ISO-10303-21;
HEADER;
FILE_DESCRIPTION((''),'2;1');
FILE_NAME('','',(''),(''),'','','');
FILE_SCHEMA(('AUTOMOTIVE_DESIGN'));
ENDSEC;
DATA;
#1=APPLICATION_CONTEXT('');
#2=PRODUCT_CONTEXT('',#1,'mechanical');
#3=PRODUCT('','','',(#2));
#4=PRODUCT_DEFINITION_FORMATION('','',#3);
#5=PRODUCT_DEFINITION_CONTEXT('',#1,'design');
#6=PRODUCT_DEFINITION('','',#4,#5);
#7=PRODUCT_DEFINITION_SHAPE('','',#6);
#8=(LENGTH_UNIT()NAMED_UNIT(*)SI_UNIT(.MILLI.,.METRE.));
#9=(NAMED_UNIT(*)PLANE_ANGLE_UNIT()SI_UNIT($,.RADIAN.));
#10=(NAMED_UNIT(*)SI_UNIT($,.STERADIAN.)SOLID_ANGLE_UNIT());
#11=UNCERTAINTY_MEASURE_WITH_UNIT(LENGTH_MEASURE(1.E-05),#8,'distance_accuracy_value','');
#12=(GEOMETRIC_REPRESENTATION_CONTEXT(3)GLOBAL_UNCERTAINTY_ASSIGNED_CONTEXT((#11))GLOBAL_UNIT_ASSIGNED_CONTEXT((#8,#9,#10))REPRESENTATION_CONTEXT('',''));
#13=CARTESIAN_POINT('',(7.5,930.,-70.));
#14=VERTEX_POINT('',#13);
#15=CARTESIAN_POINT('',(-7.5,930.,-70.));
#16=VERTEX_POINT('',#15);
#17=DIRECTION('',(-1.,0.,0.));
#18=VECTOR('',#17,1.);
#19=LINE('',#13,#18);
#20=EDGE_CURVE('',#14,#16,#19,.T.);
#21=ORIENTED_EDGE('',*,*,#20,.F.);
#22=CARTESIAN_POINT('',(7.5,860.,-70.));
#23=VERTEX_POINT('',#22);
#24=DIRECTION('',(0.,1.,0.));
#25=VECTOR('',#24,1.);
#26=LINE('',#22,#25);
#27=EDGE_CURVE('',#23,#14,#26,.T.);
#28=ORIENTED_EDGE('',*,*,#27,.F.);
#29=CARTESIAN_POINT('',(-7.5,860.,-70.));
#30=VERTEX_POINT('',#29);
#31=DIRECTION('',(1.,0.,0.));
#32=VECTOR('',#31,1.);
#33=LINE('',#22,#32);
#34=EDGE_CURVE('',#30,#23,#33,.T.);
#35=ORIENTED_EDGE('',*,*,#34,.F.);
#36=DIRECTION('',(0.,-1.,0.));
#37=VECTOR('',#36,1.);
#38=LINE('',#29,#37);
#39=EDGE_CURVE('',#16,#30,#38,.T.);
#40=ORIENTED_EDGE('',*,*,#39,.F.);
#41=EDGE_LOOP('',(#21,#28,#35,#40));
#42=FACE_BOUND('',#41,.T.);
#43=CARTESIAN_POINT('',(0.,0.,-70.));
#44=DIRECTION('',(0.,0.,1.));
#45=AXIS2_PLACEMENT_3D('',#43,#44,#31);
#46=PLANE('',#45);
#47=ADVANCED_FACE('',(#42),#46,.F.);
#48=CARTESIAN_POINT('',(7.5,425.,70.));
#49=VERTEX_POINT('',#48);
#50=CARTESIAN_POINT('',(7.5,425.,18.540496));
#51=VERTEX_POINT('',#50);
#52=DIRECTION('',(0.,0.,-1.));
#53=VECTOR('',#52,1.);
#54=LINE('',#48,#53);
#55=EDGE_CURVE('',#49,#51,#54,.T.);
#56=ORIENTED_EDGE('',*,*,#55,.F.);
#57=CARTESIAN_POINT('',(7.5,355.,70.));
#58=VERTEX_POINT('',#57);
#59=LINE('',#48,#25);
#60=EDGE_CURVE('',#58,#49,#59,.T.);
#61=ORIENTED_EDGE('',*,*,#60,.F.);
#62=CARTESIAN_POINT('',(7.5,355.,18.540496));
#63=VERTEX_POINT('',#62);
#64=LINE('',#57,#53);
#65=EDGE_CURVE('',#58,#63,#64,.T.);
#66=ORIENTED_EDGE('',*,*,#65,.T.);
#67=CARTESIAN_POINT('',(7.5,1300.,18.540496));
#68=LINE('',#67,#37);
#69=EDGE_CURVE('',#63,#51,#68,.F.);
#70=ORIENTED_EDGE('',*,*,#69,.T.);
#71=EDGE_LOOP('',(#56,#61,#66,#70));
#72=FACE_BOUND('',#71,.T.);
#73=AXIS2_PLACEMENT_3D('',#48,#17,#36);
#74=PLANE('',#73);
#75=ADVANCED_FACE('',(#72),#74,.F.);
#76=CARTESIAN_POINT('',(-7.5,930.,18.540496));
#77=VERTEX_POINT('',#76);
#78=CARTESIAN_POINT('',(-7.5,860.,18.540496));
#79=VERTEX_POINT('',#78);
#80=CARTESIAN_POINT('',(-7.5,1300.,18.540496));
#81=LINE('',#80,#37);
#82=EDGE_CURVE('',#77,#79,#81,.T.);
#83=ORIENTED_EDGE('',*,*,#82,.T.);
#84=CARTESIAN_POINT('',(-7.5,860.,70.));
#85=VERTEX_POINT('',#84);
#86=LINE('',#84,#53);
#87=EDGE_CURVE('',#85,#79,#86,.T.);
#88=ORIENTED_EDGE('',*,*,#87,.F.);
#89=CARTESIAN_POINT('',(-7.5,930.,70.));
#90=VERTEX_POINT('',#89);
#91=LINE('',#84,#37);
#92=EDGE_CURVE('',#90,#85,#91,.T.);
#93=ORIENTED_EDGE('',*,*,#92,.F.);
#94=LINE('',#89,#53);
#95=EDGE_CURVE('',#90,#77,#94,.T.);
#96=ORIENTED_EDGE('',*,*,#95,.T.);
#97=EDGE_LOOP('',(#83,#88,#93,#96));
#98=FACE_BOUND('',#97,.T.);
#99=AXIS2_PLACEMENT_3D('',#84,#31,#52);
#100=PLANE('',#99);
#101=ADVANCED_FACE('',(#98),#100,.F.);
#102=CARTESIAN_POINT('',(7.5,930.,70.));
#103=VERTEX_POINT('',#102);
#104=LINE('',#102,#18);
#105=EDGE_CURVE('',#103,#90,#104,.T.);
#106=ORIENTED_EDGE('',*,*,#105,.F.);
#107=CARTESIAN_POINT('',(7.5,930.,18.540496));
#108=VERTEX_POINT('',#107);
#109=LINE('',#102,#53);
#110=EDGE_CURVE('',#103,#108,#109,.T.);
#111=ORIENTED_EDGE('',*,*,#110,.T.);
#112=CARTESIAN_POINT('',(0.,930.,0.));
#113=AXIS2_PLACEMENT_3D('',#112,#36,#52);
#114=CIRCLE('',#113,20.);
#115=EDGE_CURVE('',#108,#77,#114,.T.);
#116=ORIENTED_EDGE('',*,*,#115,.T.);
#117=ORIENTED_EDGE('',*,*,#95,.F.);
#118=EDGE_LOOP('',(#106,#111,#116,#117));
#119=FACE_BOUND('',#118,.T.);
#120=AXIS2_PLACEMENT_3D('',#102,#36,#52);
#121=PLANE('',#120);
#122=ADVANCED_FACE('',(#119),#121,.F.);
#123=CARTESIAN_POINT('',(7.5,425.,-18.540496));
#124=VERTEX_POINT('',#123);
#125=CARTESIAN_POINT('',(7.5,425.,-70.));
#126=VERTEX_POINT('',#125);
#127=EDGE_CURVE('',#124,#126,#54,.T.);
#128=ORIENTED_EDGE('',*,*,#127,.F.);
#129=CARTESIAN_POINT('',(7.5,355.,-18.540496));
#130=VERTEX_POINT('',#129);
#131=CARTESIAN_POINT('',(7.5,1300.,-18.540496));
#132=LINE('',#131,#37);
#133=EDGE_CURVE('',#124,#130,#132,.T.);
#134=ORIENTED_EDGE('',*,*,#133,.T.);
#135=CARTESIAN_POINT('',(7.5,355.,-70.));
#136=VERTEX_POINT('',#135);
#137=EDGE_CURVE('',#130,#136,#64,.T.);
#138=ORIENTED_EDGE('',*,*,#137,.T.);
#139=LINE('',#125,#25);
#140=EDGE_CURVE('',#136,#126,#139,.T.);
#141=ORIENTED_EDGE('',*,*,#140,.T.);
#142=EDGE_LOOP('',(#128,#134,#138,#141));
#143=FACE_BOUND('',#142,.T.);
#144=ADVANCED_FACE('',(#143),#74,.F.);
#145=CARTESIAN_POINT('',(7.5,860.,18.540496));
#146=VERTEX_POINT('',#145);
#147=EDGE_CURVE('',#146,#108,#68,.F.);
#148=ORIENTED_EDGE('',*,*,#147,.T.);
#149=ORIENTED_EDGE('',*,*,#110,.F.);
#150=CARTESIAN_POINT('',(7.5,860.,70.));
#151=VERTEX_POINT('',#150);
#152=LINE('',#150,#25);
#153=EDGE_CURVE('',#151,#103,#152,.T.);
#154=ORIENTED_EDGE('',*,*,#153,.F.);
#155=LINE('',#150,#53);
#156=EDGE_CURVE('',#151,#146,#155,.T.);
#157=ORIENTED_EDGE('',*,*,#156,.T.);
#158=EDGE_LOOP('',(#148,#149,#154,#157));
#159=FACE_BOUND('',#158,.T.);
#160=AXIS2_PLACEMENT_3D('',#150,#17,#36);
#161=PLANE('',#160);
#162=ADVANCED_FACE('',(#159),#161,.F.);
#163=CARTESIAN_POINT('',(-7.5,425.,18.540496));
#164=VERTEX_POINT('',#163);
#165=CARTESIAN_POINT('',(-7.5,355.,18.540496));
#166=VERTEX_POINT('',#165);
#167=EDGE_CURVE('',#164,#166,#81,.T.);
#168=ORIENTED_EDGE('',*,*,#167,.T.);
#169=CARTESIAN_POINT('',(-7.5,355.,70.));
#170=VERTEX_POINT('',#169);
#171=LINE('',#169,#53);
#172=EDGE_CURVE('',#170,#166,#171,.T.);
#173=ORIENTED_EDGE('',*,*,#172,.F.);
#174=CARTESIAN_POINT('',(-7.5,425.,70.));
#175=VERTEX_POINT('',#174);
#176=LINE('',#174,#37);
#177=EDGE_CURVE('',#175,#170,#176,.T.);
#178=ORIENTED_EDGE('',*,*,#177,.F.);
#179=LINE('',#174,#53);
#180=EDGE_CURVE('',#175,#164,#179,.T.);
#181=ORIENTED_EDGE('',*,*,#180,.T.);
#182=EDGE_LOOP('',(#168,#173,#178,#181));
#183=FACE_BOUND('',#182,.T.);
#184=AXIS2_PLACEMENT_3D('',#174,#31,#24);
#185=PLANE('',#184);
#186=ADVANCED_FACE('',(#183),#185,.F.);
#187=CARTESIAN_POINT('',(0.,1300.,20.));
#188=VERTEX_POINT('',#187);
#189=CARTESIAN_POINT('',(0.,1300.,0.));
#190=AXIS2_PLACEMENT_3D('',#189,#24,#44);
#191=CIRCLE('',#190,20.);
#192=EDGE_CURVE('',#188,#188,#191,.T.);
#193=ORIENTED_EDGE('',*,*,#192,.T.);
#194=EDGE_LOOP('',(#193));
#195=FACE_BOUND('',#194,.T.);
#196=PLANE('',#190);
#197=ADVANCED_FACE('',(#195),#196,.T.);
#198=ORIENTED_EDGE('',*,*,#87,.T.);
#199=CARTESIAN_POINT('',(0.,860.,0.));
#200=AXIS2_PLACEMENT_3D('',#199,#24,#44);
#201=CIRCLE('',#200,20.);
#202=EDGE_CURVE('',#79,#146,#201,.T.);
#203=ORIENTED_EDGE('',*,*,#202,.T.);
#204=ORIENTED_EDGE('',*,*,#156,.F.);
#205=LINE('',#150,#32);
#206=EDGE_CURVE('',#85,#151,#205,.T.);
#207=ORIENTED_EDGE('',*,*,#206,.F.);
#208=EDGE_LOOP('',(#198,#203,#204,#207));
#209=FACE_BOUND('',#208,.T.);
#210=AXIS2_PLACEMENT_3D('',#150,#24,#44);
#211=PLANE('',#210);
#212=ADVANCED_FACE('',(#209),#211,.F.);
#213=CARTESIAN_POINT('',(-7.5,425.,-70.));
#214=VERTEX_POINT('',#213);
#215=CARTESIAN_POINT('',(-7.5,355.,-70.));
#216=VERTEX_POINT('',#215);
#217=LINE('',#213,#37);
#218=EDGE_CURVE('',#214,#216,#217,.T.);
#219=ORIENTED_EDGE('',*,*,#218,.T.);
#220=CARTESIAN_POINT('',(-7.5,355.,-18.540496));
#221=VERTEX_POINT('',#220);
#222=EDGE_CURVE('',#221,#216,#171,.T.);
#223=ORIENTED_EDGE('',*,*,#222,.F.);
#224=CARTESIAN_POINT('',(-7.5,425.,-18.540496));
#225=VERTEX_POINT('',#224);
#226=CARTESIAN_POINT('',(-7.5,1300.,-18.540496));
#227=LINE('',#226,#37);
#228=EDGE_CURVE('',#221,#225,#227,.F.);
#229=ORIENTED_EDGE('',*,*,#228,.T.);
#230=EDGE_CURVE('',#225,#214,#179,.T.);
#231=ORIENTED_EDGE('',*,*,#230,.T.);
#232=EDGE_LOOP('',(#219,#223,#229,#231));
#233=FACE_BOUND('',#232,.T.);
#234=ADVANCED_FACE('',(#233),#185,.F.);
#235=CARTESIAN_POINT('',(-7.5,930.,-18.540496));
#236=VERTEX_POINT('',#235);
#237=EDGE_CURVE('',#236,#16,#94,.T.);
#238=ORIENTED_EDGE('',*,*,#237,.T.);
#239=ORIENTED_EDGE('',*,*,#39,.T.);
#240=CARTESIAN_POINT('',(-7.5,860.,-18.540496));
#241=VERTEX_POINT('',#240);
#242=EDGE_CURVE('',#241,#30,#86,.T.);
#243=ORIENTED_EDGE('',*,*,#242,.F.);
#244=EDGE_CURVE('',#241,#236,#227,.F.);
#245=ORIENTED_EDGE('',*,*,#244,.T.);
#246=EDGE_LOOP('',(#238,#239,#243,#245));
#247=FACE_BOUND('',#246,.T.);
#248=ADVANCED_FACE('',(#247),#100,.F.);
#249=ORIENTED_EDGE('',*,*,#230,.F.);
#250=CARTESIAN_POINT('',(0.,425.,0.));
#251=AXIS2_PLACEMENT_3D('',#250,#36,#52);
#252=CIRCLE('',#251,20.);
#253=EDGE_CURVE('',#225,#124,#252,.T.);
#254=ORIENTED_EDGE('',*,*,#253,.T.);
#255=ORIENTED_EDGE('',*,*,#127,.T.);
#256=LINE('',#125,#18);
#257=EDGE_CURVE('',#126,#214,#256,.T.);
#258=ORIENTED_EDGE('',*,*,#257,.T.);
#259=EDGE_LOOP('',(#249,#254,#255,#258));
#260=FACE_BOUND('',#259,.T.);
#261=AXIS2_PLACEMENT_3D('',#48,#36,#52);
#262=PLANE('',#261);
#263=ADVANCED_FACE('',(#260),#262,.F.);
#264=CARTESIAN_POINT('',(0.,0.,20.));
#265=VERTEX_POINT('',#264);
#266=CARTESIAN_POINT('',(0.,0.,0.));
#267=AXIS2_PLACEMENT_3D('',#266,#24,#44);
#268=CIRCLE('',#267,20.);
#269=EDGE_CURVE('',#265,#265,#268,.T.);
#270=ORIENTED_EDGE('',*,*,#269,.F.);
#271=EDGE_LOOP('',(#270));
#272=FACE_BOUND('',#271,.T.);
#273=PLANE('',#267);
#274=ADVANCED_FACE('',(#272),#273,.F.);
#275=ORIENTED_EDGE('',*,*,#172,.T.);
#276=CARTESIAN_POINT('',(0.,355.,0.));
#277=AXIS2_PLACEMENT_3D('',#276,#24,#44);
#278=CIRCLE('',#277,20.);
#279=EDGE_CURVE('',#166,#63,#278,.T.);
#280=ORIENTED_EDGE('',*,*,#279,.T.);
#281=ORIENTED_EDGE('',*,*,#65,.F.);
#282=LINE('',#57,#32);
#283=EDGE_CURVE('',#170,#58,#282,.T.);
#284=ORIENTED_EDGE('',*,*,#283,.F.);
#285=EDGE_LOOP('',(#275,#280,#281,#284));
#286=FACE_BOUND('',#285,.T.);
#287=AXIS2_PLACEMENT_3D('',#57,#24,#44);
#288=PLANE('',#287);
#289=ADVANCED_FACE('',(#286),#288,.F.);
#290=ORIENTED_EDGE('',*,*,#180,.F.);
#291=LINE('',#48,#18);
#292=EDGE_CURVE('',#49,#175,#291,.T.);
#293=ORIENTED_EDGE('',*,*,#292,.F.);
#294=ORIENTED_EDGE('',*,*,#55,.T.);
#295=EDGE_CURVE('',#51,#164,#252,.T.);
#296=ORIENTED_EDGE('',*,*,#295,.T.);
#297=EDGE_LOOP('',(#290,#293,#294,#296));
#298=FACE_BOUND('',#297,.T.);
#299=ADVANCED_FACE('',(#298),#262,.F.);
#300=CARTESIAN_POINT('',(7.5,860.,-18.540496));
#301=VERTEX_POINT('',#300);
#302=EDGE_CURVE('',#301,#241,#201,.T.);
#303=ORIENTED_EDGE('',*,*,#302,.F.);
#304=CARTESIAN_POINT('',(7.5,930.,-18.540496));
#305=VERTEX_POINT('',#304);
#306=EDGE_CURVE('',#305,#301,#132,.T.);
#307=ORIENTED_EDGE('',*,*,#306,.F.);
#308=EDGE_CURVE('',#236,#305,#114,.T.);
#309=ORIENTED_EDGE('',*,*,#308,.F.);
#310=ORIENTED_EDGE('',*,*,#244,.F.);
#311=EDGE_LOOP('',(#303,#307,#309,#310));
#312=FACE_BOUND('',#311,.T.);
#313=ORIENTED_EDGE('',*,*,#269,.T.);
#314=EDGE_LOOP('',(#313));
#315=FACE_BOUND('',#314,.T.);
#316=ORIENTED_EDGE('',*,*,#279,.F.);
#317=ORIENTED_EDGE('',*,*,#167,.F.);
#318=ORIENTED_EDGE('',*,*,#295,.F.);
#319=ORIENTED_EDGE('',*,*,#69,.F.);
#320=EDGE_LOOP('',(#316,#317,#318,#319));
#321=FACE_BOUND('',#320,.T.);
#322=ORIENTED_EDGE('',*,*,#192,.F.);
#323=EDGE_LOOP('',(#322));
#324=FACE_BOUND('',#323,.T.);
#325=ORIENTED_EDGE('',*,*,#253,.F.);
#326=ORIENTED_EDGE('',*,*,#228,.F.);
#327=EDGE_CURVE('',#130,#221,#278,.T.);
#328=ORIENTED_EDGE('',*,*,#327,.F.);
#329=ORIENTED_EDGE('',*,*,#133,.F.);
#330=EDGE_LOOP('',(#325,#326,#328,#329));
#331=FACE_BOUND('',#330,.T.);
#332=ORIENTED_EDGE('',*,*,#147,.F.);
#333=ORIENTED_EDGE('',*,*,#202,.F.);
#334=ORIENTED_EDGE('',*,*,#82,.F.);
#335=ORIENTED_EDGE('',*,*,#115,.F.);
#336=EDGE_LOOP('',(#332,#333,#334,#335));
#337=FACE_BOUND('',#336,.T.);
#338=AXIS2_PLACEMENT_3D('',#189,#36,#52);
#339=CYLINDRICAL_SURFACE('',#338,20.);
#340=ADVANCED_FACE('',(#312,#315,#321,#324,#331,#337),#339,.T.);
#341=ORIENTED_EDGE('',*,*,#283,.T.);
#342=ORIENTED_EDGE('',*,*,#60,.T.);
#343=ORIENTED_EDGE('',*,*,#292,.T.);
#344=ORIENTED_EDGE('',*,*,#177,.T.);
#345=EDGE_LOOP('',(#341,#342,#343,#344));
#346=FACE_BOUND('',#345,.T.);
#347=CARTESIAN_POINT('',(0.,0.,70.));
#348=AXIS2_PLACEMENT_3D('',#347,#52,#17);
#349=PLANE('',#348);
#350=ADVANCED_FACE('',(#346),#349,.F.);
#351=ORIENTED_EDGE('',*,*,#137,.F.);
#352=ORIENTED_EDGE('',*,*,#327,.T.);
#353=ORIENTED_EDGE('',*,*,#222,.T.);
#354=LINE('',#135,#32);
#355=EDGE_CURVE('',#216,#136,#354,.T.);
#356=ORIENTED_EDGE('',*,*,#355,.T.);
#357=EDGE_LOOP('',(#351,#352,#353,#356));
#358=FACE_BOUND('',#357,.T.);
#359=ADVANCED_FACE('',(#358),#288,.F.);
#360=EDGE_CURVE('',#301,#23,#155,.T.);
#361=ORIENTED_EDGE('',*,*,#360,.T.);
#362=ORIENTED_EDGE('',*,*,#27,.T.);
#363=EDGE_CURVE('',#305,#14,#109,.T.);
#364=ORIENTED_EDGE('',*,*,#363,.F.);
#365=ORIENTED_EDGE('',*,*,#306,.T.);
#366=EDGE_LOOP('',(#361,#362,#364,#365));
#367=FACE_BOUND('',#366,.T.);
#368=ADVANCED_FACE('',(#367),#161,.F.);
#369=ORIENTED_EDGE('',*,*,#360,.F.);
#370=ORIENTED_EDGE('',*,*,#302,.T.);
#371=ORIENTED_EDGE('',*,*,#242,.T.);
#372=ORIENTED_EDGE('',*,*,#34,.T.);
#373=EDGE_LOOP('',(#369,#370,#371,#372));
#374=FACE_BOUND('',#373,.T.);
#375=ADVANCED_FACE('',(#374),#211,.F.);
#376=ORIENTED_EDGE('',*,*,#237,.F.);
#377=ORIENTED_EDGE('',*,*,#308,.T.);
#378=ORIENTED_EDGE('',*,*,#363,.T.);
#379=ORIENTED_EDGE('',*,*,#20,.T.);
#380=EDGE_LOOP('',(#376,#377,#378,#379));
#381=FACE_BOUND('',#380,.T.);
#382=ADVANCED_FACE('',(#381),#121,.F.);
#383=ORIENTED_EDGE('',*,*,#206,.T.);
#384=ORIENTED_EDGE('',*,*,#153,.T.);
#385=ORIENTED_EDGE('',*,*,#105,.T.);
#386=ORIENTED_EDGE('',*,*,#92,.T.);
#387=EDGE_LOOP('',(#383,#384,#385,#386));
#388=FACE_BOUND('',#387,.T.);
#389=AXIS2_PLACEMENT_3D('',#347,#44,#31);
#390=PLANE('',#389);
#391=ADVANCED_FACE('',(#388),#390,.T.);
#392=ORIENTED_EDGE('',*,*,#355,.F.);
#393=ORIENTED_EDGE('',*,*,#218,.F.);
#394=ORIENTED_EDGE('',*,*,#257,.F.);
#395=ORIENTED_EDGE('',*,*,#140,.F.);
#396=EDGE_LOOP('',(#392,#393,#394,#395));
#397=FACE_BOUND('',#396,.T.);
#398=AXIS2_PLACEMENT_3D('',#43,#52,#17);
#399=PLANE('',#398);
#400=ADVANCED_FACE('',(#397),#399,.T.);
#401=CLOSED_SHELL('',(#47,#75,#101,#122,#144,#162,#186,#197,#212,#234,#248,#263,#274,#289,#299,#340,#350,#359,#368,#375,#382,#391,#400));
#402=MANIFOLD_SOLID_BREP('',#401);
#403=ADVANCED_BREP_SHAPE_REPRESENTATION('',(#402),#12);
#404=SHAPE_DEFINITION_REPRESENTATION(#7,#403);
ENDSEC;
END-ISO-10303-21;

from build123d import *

# Parameters (mm, degrees)
ESQUISSE1_R        = 20
BOSS_EXTRU_1_DEPTH = 1300
ESQUISSE2_W        = 15
ESQUISSE2_H        = 70
BOSS_EXTRU_2_DEPTH = 70
ESQUISSE4_W        = 15
ESQUISSE4_H        = 70
BOSS_EXTRU_3_DEPTH = 70


with BuildPart() as part:
    # Esquisse1 → Boss.-Extru.1 (new body)
    with BuildSketch(Plane(origin=(0, 0, 0), x_dir=(1, 0, 0), z_dir=(0, 1, 0))):
        with Locations(Location((0, 0, 0), (0, 0, 270))):
            Circle(ESQUISSE1_R)
    extrude(amount=BOSS_EXTRU_1_DEPTH)

    # Esquisse2 → Boss.-Extru.2 (add, symmetric)
    with BuildSketch(Plane.XY):
        with Locations((0, 390)):
            Rectangle(ESQUISSE2_W, ESQUISSE2_H)
    extrude(amount=BOSS_EXTRU_2_DEPTH, both=True)

    # Esquisse4 → Boss.-Extru.3 (add, symmetric)
    with BuildSketch(Plane.XY):
        with Locations((0, 895)):
            Rectangle(ESQUISSE4_W, ESQUISSE4_H)
    extrude(amount=BOSS_EXTRU_3_DEPTH, both=True)


solid = part.part
